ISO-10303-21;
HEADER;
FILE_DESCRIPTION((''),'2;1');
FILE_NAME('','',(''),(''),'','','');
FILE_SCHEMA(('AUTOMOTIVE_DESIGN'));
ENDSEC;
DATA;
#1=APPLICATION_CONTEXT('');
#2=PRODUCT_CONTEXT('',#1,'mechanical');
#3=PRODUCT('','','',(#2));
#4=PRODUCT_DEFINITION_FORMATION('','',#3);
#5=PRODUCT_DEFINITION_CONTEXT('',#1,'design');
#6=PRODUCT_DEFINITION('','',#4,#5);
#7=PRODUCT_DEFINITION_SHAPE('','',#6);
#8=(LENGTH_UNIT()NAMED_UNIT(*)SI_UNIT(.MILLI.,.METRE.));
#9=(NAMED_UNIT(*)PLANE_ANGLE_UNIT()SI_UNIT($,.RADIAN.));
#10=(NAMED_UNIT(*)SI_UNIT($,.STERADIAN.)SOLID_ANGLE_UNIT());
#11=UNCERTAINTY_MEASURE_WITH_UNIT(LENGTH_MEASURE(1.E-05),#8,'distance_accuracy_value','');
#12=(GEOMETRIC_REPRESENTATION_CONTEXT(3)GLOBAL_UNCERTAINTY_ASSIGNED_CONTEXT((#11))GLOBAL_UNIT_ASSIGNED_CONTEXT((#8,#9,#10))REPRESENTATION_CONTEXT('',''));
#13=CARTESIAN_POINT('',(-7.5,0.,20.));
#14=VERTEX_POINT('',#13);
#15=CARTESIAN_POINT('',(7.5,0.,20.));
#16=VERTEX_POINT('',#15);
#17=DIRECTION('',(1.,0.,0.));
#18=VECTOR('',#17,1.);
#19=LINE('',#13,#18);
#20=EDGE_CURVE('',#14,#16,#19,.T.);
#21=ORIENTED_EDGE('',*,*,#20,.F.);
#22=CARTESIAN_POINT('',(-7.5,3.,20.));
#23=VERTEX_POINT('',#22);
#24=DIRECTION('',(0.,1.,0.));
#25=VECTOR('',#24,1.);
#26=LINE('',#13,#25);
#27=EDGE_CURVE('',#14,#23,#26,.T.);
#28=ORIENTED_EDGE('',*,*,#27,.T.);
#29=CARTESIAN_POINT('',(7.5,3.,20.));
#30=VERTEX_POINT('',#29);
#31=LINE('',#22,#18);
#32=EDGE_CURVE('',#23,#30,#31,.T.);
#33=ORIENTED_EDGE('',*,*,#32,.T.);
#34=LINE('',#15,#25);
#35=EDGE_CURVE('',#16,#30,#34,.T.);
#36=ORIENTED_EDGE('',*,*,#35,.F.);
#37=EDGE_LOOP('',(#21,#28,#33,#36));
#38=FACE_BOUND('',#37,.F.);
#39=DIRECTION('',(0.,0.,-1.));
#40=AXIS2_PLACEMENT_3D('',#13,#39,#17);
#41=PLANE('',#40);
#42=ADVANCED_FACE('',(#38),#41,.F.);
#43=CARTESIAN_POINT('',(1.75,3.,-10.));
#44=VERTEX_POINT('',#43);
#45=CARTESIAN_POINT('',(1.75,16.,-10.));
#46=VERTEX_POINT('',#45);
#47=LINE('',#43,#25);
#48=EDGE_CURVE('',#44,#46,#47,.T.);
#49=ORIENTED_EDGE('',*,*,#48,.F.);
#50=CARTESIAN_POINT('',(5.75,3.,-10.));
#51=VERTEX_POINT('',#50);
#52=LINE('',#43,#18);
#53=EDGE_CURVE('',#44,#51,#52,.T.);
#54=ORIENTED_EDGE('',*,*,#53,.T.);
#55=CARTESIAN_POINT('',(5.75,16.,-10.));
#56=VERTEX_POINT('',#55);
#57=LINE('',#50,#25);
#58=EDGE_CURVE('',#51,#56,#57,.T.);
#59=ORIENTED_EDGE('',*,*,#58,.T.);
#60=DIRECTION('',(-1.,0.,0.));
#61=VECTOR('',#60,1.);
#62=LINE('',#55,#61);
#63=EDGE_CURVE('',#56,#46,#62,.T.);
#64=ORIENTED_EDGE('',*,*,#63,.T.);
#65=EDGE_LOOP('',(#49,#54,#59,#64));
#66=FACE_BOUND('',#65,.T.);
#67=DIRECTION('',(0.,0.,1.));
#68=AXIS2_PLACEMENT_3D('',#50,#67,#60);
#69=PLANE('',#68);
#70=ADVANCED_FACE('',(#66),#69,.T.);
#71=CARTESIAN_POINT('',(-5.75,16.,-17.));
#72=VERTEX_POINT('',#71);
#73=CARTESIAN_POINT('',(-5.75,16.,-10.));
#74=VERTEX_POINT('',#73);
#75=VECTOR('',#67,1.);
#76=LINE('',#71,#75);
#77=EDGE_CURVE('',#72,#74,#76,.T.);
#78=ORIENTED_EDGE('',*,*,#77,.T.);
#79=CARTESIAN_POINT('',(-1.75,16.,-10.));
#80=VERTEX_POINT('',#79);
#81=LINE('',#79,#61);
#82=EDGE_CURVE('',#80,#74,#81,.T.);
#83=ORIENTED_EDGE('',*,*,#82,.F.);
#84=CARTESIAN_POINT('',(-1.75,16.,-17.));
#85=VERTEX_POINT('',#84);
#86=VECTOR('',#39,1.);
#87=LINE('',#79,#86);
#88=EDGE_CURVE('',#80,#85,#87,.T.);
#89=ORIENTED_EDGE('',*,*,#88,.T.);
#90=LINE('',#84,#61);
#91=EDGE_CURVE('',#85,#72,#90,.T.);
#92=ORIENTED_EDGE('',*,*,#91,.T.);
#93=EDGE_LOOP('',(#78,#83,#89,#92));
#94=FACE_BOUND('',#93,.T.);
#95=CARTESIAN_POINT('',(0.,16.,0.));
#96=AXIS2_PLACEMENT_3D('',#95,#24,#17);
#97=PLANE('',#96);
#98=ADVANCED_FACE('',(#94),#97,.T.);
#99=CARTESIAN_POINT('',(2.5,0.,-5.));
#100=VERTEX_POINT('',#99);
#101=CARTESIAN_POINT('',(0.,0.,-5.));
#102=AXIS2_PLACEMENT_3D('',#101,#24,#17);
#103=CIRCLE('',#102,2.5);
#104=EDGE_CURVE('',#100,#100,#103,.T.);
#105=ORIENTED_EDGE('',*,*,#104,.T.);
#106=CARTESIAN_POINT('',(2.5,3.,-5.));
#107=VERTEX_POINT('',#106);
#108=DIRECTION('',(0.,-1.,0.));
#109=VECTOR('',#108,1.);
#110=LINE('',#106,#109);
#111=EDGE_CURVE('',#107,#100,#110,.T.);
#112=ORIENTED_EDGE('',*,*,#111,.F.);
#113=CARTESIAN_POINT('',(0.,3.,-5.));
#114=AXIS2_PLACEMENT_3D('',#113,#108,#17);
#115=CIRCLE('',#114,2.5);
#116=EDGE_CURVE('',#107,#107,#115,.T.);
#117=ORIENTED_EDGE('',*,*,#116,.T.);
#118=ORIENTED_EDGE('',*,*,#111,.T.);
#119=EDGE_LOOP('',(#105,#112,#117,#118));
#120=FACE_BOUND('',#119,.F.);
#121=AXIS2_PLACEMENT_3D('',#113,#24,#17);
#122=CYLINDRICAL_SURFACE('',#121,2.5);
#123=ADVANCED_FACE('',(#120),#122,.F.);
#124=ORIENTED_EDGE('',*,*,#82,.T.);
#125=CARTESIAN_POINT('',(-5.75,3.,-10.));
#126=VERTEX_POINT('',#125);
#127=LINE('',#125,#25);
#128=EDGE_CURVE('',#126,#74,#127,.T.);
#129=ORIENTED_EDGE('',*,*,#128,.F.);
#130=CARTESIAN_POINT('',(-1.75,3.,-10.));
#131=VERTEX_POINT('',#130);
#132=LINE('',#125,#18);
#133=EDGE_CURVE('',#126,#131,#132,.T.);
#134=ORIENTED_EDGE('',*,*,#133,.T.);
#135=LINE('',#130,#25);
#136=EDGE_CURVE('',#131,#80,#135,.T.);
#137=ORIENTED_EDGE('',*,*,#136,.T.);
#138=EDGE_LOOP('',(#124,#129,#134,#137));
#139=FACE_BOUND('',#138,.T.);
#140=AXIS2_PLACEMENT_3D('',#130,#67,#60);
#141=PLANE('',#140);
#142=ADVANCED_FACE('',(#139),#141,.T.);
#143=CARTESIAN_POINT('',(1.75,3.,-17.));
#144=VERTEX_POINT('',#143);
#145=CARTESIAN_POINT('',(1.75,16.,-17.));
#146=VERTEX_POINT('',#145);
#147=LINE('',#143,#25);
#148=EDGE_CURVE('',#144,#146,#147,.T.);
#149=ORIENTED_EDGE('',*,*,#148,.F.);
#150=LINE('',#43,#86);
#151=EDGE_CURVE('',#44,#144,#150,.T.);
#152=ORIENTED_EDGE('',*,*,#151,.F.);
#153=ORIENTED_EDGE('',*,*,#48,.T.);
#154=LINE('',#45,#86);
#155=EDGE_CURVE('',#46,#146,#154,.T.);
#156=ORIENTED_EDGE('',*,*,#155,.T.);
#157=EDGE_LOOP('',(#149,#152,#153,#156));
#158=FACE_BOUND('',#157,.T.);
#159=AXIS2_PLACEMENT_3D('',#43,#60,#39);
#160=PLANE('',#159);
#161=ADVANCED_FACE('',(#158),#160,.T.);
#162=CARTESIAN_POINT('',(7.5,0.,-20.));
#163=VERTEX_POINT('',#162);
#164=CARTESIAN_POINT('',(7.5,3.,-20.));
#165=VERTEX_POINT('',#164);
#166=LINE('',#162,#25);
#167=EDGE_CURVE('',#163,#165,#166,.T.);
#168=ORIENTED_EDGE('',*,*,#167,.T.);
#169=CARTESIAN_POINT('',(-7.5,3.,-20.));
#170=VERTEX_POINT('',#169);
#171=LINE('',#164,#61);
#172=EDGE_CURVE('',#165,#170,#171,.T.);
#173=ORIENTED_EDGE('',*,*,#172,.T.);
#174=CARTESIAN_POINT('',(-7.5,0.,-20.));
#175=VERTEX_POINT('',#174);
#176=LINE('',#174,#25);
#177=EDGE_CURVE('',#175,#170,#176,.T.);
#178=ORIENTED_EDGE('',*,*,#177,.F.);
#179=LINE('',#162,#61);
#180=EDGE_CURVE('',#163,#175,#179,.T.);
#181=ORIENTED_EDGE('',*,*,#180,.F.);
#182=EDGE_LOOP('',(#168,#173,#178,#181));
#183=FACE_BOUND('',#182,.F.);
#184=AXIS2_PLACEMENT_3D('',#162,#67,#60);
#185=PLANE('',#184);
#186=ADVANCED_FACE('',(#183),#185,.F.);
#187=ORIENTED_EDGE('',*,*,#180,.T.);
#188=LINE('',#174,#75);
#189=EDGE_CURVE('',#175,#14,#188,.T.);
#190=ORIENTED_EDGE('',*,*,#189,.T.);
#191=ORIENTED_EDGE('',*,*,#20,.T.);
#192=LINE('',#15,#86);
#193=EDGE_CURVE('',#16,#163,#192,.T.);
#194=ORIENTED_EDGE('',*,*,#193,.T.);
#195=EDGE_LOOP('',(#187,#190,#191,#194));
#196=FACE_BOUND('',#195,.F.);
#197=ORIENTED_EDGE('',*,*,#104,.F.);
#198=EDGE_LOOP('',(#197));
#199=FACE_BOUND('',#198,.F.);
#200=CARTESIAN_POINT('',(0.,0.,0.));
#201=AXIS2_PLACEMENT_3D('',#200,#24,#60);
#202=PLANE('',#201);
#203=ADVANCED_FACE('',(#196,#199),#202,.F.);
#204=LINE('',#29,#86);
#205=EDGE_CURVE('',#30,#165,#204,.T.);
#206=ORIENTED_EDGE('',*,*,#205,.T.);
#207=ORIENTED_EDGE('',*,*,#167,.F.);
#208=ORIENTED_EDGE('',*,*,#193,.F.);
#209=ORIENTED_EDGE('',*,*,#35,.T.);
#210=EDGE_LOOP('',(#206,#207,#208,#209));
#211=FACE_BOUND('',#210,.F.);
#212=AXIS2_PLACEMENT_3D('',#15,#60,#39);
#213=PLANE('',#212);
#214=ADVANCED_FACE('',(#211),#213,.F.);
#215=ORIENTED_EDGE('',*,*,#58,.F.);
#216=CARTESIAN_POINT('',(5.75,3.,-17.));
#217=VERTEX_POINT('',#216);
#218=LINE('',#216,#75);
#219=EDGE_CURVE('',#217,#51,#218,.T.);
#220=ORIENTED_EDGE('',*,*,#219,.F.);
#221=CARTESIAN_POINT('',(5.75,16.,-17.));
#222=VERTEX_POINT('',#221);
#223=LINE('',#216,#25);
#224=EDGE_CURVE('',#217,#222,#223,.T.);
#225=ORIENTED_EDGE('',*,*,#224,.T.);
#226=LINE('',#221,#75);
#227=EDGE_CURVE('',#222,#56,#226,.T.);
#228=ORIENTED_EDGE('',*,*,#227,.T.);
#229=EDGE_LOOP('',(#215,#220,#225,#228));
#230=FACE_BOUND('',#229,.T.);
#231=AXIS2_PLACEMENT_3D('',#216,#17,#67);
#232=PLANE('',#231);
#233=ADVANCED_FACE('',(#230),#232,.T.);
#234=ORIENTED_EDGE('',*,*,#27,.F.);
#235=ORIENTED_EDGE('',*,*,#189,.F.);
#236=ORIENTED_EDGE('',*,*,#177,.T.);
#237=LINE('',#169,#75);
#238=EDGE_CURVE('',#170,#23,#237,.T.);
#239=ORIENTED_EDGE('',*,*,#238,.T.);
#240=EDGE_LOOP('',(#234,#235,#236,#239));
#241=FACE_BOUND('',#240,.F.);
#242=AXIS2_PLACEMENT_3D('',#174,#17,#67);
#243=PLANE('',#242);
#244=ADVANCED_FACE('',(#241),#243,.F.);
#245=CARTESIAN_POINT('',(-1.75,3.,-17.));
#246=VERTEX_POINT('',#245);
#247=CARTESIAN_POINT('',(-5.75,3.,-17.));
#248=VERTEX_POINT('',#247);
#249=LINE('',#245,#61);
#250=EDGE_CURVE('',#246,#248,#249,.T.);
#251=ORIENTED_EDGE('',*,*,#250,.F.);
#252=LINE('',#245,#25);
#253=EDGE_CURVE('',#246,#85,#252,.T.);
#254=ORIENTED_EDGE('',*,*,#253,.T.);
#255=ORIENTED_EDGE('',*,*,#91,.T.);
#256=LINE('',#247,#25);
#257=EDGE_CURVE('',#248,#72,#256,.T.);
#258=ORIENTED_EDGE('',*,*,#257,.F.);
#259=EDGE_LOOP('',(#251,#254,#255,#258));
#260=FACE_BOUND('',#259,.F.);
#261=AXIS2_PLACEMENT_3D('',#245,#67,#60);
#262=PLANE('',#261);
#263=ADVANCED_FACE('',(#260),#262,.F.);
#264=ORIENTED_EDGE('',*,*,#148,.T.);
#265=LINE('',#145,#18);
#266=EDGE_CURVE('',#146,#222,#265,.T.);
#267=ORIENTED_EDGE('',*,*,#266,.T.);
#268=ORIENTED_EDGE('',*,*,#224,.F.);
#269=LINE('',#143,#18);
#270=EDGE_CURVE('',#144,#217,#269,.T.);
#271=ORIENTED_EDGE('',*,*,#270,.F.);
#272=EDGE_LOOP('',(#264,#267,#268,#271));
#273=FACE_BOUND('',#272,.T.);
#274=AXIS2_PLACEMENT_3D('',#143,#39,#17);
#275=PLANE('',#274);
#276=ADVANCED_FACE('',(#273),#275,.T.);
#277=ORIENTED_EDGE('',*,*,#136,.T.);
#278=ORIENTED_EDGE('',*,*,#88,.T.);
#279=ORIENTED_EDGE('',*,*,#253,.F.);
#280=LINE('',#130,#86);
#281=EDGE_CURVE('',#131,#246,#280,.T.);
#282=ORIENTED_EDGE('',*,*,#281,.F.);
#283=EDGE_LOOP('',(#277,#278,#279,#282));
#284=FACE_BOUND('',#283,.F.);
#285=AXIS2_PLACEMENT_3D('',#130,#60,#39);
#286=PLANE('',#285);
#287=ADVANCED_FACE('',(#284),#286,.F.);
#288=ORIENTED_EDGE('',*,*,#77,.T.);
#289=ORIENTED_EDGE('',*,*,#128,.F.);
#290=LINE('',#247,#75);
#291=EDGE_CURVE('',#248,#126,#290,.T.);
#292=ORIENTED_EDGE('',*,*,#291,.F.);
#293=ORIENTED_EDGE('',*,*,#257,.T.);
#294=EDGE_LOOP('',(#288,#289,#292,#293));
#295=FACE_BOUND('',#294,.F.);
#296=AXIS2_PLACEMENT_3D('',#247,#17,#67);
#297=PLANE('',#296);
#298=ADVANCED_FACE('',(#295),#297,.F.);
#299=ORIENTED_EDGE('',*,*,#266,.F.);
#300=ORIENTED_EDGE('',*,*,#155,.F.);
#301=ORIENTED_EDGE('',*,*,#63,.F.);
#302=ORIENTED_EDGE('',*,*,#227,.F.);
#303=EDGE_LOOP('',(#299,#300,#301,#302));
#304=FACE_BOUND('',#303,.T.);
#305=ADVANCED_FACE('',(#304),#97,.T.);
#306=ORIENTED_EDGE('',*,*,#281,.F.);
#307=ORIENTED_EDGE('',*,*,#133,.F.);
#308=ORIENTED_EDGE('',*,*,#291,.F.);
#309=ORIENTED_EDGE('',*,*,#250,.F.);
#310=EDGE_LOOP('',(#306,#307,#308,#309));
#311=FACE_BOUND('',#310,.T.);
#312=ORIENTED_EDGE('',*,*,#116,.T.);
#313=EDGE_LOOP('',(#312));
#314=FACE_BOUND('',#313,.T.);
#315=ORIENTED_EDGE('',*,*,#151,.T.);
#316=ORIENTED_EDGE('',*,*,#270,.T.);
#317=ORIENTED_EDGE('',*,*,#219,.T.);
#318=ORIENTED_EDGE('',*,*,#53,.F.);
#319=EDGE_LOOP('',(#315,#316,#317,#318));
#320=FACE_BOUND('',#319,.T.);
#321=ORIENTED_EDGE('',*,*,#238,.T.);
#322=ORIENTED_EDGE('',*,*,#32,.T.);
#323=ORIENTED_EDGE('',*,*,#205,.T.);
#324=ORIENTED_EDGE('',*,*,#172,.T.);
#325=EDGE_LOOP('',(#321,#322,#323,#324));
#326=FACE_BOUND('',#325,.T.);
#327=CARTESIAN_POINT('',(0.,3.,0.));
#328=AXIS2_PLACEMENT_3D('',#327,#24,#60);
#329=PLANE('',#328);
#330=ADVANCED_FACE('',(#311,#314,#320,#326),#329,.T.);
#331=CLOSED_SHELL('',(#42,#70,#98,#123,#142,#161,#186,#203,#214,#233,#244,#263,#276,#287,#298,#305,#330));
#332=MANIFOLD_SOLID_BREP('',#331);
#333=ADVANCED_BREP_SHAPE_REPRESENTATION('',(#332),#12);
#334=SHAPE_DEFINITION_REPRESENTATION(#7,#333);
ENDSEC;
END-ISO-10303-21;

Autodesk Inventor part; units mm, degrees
ref_plane "YZ Plane" through (0, 0, 0) normal (1, 0, 0) x (0, 1, 0)
ref_plane "XZ Plane" through (0, 0, 0) normal (0, 1, 0) x (-1, 0, 0)
ref_plane "XY Plane" through (0, 0, 0) normal (0, 0, 1) x (1, 0, 0)
sketch "Sketch1" plane through (0, 0, 0) normal (0, 1, 0) x (-1, 0, 0)
  line L0 (7.5, 20) -> (-7.5, 20)
  line L1 (-7.5, 20) -> (-7.5, -20)
  line L2 (-7.5, -20) -> (7.5, -20)
  line L3 (7.5, -20) -> (7.5, 20)
  line L4 (7.5, 20) -> (-7.5, -20) construction
  line L5 (-7.5, 20) -> (7.5, -20) construction
  point P0 (0, 0)
  dimension "d0" = 15
  dimension "d1" = 40
extrude "Extrusion1" add sketch "Sketch1" along normal blind 3
sketch "Sketch2" plane through (0, 3, 0) normal (0, 1, 0) x (1, 0, 0)
  line L0 (0, 0) -> (0, 5)
  circle A0 centre (0, 5) radius 2.5
  line L1 (0, 5) -> (0, 10)
  line L2 (0, 10) -> (-3.75, 10)
  line L3 (-3.75, 10) -> (-3.75, 13.5)
  line L4 (-5.75, 10) -> (-1.75, 10)
  line L5 (-1.75, 10) -> (-1.75, 17)
  line L6 (-1.75, 17) -> (-5.75, 17)
  line L7 (-5.75, 17) -> (-5.75, 10)
  line L8 (-5.75, 10) -> (-1.75, 17) construction
  line L9 (-1.75, 10) -> (-5.75, 17) construction
  line L10 (3.75, 10) -> (3.75, 13.5)
  line L11 (5.75, 10) -> (1.75, 10)
  line L12 (1.75, 10) -> (1.75, 17)
  line L13 (1.75, 17) -> (5.75, 17)
  line L14 (5.75, 17) -> (5.75, 10)
  line L15 (5.75, 10) -> (1.75, 17) construction
  line L16 (1.75, 10) -> (5.75, 17) construction
  dimension "d4" = 5
  dimension "d5" = 5
  dimension "d6" = 5
  dimension "d7" = 3.75
  dimension "d8" = 3.5
  dimension "d9" = 4
  dimension "d10" = 7
extrude "Extrusion2" add sketch "Sketch2" along normal blind 13 contours L2 L4 L7 L6 L5 | L11 L12 L13 L14
extrude "Extrusion3" cut sketch "Sketch2" against normal blind 13 contours A0 L1 L0 | L0 L1 A0
properties part number "KY 032 INFRERROJO"
